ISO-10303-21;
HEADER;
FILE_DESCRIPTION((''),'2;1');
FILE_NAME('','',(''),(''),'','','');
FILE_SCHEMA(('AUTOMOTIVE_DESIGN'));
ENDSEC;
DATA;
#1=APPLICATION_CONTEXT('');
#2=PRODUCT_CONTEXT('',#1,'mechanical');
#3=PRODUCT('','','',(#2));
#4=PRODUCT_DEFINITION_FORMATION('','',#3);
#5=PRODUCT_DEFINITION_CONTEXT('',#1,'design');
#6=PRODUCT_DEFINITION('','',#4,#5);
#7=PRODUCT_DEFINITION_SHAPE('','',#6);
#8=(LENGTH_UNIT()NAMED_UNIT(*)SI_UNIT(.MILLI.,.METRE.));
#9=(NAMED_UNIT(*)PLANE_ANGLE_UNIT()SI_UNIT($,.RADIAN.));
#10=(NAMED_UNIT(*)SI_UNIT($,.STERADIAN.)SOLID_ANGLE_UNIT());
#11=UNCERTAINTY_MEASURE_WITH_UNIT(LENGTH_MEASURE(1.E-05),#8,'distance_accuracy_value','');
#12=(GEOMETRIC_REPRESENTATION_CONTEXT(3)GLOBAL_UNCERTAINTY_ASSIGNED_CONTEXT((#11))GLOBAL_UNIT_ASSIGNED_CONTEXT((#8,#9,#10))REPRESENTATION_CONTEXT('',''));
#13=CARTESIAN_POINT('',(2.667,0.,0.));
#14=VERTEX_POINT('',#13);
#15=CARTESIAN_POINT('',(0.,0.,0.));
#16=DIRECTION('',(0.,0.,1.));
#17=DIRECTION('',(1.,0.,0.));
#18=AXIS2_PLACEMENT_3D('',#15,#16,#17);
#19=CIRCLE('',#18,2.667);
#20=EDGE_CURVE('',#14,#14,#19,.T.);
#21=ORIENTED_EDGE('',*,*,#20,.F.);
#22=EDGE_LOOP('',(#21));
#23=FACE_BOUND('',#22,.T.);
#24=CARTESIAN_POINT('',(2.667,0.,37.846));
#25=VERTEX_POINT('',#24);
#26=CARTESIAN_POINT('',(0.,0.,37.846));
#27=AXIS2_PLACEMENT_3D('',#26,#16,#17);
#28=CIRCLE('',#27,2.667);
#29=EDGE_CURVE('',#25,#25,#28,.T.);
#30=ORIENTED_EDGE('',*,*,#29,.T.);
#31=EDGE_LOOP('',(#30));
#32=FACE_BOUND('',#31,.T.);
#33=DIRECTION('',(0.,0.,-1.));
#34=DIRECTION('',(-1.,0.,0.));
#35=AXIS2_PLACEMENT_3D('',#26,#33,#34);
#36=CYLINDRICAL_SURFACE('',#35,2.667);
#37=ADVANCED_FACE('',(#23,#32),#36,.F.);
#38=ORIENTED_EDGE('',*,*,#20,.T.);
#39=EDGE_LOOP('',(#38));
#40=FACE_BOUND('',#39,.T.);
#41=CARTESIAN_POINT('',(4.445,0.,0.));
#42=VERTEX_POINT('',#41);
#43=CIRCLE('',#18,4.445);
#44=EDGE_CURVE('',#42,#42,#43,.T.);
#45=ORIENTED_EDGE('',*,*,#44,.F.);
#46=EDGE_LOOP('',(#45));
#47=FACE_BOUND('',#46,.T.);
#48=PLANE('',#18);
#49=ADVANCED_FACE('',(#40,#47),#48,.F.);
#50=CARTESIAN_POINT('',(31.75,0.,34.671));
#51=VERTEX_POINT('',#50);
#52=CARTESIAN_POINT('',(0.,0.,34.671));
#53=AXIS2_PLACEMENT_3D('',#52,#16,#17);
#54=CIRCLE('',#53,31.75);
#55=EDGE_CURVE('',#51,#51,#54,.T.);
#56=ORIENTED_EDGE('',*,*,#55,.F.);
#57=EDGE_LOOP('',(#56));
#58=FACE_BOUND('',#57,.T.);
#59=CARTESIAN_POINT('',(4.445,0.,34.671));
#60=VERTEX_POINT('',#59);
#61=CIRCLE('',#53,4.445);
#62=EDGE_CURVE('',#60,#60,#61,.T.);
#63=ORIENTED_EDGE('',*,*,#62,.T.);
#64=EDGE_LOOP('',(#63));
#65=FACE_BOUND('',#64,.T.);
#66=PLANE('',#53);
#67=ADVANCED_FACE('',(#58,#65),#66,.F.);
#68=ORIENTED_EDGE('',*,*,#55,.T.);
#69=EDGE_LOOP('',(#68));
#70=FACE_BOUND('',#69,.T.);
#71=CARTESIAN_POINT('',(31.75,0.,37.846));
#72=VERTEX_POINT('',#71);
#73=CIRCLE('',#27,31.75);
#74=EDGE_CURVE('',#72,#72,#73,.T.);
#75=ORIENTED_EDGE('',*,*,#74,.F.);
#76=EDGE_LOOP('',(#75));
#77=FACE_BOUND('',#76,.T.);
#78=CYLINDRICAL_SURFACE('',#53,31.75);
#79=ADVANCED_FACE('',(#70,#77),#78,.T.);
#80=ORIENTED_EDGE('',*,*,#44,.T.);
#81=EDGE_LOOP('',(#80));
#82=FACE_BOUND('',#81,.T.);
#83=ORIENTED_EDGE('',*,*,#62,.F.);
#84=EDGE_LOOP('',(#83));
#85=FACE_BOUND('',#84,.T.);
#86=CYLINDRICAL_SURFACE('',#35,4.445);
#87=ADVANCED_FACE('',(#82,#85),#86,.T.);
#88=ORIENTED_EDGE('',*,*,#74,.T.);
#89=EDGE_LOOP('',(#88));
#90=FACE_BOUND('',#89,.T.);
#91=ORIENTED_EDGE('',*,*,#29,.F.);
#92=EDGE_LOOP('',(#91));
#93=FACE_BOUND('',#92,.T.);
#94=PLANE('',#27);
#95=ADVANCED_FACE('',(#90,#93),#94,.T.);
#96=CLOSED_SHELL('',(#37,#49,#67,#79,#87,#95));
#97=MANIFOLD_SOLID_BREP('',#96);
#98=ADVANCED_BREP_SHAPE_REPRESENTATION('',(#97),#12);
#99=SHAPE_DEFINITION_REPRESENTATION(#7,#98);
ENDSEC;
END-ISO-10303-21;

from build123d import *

# Parameters (mm, degrees)
SKETCH1_R           = 4.445
SKETCH1_R_2         = 2.667
BOSS_EXTRUDE1_DEPTH = 37.846
BOSS_EXTRUDE2_START = -3.175
SKETCH2_R           = 31.75
SKETCH2_R_2         = 2.667
BOSS_EXTRUDE2_DEPTH = 3.175


with BuildPart() as part:
    # Sketch1 → Boss-Extrude1 (new body)
    with BuildSketch(Plane.XY):
        Circle(SKETCH1_R)
        Circle(SKETCH1_R_2, mode=Mode.SUBTRACT)
    extrude(amount=BOSS_EXTRUDE1_DEPTH)

    # Sketch2 → Boss-Extrude2 (add)
    with BuildSketch(Plane.XY.offset(37.846).offset(BOSS_EXTRUDE2_START)):
        Circle(SKETCH2_R)
        Circle(SKETCH2_R_2, mode=Mode.SUBTRACT)
    extrude(amount=BOSS_EXTRUDE2_DEPTH)


solid = part.part
